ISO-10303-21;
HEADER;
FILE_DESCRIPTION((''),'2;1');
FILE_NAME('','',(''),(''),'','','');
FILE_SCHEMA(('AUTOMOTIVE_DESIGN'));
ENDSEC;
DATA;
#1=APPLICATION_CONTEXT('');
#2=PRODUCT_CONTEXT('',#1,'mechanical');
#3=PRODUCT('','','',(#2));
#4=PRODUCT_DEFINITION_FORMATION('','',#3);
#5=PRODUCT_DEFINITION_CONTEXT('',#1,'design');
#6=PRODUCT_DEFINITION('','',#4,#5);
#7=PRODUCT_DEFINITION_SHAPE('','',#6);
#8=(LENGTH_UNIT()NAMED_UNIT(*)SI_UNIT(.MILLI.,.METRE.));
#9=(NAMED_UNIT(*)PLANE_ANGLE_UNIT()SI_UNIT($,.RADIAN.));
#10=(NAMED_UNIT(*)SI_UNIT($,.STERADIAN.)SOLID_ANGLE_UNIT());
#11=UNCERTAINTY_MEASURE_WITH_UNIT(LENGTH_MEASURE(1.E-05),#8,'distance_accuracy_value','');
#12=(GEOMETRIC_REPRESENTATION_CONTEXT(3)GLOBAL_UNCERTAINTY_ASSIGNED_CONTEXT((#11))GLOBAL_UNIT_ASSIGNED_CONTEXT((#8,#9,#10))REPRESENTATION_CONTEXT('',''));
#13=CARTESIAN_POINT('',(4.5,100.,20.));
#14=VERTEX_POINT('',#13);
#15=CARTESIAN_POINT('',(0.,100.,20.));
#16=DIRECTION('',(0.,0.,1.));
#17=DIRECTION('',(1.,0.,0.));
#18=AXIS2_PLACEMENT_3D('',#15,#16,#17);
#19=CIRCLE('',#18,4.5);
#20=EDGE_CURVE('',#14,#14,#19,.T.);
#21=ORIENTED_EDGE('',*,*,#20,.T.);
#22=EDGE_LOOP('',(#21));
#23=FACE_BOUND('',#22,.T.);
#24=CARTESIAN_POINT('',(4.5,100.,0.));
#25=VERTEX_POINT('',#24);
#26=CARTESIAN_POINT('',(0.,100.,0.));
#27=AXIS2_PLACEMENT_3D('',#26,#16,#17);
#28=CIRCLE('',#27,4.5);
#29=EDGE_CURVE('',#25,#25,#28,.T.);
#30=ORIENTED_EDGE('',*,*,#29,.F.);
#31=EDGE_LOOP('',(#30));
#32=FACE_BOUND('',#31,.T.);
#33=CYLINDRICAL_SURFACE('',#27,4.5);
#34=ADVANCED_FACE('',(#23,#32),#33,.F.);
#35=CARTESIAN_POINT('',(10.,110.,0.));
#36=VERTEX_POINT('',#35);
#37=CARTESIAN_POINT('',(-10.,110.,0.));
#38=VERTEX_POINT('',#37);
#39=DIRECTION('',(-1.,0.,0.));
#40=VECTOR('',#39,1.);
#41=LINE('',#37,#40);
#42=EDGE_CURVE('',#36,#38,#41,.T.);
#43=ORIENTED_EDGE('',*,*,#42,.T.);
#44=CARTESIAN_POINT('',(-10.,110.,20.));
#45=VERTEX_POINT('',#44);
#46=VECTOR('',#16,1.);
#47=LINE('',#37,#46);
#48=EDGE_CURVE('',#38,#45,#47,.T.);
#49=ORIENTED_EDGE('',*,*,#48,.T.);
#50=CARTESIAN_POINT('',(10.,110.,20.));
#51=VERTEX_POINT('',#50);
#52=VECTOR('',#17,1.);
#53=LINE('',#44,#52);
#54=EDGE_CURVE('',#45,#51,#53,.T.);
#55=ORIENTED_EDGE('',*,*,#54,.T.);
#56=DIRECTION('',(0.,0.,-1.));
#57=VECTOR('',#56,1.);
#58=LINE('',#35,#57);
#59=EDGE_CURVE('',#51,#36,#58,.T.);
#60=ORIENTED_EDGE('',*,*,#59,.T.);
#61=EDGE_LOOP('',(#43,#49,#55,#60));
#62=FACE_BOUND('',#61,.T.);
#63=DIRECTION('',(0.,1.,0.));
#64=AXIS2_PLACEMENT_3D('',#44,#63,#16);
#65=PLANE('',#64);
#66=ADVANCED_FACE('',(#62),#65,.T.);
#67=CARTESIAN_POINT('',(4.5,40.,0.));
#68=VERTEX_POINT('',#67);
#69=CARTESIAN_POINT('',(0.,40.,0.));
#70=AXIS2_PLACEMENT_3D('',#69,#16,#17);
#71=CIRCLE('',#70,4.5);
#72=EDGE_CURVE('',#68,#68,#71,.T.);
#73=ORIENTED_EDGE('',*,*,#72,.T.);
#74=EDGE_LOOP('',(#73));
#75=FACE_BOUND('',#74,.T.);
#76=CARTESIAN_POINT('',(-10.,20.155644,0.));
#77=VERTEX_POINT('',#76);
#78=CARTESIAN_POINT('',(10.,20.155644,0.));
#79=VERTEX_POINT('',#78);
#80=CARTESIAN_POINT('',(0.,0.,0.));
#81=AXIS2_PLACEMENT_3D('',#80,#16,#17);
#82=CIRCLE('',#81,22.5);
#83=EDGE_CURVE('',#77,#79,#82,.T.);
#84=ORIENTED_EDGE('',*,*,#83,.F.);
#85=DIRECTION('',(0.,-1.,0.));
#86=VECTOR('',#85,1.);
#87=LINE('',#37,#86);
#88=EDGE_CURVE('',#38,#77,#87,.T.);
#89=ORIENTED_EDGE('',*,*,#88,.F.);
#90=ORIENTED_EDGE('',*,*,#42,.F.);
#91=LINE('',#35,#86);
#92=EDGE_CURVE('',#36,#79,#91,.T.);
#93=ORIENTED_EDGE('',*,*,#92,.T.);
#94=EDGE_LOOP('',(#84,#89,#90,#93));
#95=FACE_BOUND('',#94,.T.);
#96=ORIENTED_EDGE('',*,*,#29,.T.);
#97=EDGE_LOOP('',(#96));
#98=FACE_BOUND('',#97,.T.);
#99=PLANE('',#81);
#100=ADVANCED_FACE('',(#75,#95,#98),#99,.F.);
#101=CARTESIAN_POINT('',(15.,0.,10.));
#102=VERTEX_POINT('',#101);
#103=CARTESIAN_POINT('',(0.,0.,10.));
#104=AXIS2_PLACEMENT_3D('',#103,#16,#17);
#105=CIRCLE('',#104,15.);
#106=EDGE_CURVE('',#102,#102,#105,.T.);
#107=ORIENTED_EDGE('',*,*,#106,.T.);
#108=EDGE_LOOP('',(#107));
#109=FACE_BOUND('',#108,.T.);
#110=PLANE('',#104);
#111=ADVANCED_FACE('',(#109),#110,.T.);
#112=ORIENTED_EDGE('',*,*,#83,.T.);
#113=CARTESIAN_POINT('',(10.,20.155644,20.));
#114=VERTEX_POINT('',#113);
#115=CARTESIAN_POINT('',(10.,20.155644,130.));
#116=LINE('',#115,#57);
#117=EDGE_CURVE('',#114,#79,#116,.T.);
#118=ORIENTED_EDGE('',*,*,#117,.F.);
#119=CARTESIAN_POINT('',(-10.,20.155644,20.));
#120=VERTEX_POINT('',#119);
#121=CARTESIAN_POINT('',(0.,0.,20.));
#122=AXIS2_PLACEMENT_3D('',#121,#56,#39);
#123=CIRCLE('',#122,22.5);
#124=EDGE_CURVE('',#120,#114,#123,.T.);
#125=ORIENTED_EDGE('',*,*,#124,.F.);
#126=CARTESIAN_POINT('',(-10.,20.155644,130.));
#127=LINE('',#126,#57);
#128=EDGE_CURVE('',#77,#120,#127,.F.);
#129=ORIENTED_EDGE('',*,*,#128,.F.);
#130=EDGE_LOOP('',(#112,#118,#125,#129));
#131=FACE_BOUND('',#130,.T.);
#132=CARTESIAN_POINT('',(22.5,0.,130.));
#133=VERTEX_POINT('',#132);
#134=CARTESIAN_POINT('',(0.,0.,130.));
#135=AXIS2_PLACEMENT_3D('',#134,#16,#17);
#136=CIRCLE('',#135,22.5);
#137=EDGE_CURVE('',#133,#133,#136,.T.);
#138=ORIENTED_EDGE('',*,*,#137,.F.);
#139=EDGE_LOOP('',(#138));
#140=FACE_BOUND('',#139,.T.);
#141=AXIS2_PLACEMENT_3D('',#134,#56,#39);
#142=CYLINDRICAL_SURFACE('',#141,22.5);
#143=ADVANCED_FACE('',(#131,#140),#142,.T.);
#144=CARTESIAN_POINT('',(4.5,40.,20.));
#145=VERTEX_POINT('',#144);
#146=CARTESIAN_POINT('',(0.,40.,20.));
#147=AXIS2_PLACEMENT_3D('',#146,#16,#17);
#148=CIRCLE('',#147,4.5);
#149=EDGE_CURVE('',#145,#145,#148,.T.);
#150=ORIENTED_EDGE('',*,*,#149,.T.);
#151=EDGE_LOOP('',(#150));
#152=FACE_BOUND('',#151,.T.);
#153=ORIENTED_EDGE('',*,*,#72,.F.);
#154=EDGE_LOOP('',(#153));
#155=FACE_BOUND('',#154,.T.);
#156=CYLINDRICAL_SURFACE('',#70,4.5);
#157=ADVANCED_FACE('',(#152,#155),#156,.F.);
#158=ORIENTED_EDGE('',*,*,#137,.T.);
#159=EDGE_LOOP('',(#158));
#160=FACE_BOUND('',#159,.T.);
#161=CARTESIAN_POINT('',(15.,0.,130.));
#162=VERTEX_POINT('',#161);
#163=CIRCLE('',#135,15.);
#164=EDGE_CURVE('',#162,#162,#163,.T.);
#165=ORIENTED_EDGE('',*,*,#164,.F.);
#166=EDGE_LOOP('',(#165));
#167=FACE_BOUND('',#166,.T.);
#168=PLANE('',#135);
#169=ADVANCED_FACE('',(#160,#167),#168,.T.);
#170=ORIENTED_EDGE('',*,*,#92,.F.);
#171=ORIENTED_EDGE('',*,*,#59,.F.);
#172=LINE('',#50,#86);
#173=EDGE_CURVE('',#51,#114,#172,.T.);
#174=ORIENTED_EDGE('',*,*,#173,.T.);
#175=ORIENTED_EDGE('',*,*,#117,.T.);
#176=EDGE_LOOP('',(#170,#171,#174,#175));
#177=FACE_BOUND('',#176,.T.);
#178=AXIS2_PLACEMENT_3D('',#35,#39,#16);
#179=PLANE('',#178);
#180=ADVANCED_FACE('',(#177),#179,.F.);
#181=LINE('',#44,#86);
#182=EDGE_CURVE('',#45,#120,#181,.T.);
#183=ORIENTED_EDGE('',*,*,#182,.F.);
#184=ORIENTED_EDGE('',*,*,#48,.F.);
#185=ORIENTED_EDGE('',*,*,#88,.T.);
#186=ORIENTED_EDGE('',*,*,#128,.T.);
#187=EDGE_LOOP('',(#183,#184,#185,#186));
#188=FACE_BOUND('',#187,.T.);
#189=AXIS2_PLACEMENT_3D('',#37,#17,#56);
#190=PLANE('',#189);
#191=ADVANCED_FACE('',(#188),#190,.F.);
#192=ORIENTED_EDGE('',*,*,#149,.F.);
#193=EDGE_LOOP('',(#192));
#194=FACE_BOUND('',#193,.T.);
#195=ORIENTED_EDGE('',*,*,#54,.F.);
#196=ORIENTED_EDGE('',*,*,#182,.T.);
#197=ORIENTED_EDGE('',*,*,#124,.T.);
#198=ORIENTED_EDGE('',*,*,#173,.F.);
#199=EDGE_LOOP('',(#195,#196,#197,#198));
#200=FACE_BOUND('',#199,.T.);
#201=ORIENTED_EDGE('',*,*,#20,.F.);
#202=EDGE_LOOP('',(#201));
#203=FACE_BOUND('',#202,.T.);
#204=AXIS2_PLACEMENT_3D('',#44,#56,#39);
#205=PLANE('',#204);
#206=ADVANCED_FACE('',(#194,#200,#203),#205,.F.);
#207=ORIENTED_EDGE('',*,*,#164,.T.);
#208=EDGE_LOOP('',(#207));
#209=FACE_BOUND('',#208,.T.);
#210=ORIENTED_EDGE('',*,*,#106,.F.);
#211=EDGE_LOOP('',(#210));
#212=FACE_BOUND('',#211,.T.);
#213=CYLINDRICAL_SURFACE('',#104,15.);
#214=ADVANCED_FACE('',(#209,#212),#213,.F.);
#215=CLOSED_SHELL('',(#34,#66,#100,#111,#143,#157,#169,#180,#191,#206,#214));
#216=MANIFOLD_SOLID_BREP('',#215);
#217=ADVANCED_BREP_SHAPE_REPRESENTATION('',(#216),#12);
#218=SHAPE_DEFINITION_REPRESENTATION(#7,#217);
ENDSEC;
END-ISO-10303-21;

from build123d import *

# Parameters (mm, degrees)
ESQUISSE1_R             = 22.5
BASE_EXTRUSION_DEPTH    = 130
ESQUISSE2_W             = 20
ESQUISSE2_H             = 20
BOSS_EXTRU_1_DEPTH      = 110
ESQUISSE3_R             = 4.5
ENL_V_MAT_EXTRU_1_DEPTH = 20
ESQUISSE4_R             = 15
ENL_V_MAT_EXTRU_2_DEPTH = 120


with BuildPart() as part:
    # Esquisse1 → Base-Extrusion (new body)
    with BuildSketch(Plane.XY):
        with Locations(Location((0, 0, 0), (0, 0, 116.387799961))):
            Circle(ESQUISSE1_R)
    extrude(amount=BASE_EXTRUSION_DEPTH)

    # Esquisse2 → Boss.-Extru.1 (add)
    with BuildSketch(Plane(origin=(0, 0, 0), x_dir=(1, 0, 0), z_dir=(0, 1, 0))):
        with Locations((0, -10)):
            Rectangle(ESQUISSE2_W, ESQUISSE2_H)
    extrude(amount=BOSS_EXTRU_1_DEPTH)

    # Esquisse3 → Enlèv. mat.-Extru.1 (cut)
    with BuildSketch(Plane.XY.offset(20)):
        with Locations((0, 100)):
            Circle(ESQUISSE3_R)
        with Locations((0, 40)):
            Circle(ESQUISSE3_R)
    extrude(amount=-ENL_V_MAT_EXTRU_1_DEPTH, mode=Mode.SUBTRACT)

    # Esquisse4 → Enlèv. mat.-Extru.2 (cut)
    with BuildSketch(Plane.XY.offset(130)):
        Circle(ESQUISSE4_R)
    extrude(amount=-ENL_V_MAT_EXTRU_2_DEPTH, mode=Mode.SUBTRACT)


solid = part.part
